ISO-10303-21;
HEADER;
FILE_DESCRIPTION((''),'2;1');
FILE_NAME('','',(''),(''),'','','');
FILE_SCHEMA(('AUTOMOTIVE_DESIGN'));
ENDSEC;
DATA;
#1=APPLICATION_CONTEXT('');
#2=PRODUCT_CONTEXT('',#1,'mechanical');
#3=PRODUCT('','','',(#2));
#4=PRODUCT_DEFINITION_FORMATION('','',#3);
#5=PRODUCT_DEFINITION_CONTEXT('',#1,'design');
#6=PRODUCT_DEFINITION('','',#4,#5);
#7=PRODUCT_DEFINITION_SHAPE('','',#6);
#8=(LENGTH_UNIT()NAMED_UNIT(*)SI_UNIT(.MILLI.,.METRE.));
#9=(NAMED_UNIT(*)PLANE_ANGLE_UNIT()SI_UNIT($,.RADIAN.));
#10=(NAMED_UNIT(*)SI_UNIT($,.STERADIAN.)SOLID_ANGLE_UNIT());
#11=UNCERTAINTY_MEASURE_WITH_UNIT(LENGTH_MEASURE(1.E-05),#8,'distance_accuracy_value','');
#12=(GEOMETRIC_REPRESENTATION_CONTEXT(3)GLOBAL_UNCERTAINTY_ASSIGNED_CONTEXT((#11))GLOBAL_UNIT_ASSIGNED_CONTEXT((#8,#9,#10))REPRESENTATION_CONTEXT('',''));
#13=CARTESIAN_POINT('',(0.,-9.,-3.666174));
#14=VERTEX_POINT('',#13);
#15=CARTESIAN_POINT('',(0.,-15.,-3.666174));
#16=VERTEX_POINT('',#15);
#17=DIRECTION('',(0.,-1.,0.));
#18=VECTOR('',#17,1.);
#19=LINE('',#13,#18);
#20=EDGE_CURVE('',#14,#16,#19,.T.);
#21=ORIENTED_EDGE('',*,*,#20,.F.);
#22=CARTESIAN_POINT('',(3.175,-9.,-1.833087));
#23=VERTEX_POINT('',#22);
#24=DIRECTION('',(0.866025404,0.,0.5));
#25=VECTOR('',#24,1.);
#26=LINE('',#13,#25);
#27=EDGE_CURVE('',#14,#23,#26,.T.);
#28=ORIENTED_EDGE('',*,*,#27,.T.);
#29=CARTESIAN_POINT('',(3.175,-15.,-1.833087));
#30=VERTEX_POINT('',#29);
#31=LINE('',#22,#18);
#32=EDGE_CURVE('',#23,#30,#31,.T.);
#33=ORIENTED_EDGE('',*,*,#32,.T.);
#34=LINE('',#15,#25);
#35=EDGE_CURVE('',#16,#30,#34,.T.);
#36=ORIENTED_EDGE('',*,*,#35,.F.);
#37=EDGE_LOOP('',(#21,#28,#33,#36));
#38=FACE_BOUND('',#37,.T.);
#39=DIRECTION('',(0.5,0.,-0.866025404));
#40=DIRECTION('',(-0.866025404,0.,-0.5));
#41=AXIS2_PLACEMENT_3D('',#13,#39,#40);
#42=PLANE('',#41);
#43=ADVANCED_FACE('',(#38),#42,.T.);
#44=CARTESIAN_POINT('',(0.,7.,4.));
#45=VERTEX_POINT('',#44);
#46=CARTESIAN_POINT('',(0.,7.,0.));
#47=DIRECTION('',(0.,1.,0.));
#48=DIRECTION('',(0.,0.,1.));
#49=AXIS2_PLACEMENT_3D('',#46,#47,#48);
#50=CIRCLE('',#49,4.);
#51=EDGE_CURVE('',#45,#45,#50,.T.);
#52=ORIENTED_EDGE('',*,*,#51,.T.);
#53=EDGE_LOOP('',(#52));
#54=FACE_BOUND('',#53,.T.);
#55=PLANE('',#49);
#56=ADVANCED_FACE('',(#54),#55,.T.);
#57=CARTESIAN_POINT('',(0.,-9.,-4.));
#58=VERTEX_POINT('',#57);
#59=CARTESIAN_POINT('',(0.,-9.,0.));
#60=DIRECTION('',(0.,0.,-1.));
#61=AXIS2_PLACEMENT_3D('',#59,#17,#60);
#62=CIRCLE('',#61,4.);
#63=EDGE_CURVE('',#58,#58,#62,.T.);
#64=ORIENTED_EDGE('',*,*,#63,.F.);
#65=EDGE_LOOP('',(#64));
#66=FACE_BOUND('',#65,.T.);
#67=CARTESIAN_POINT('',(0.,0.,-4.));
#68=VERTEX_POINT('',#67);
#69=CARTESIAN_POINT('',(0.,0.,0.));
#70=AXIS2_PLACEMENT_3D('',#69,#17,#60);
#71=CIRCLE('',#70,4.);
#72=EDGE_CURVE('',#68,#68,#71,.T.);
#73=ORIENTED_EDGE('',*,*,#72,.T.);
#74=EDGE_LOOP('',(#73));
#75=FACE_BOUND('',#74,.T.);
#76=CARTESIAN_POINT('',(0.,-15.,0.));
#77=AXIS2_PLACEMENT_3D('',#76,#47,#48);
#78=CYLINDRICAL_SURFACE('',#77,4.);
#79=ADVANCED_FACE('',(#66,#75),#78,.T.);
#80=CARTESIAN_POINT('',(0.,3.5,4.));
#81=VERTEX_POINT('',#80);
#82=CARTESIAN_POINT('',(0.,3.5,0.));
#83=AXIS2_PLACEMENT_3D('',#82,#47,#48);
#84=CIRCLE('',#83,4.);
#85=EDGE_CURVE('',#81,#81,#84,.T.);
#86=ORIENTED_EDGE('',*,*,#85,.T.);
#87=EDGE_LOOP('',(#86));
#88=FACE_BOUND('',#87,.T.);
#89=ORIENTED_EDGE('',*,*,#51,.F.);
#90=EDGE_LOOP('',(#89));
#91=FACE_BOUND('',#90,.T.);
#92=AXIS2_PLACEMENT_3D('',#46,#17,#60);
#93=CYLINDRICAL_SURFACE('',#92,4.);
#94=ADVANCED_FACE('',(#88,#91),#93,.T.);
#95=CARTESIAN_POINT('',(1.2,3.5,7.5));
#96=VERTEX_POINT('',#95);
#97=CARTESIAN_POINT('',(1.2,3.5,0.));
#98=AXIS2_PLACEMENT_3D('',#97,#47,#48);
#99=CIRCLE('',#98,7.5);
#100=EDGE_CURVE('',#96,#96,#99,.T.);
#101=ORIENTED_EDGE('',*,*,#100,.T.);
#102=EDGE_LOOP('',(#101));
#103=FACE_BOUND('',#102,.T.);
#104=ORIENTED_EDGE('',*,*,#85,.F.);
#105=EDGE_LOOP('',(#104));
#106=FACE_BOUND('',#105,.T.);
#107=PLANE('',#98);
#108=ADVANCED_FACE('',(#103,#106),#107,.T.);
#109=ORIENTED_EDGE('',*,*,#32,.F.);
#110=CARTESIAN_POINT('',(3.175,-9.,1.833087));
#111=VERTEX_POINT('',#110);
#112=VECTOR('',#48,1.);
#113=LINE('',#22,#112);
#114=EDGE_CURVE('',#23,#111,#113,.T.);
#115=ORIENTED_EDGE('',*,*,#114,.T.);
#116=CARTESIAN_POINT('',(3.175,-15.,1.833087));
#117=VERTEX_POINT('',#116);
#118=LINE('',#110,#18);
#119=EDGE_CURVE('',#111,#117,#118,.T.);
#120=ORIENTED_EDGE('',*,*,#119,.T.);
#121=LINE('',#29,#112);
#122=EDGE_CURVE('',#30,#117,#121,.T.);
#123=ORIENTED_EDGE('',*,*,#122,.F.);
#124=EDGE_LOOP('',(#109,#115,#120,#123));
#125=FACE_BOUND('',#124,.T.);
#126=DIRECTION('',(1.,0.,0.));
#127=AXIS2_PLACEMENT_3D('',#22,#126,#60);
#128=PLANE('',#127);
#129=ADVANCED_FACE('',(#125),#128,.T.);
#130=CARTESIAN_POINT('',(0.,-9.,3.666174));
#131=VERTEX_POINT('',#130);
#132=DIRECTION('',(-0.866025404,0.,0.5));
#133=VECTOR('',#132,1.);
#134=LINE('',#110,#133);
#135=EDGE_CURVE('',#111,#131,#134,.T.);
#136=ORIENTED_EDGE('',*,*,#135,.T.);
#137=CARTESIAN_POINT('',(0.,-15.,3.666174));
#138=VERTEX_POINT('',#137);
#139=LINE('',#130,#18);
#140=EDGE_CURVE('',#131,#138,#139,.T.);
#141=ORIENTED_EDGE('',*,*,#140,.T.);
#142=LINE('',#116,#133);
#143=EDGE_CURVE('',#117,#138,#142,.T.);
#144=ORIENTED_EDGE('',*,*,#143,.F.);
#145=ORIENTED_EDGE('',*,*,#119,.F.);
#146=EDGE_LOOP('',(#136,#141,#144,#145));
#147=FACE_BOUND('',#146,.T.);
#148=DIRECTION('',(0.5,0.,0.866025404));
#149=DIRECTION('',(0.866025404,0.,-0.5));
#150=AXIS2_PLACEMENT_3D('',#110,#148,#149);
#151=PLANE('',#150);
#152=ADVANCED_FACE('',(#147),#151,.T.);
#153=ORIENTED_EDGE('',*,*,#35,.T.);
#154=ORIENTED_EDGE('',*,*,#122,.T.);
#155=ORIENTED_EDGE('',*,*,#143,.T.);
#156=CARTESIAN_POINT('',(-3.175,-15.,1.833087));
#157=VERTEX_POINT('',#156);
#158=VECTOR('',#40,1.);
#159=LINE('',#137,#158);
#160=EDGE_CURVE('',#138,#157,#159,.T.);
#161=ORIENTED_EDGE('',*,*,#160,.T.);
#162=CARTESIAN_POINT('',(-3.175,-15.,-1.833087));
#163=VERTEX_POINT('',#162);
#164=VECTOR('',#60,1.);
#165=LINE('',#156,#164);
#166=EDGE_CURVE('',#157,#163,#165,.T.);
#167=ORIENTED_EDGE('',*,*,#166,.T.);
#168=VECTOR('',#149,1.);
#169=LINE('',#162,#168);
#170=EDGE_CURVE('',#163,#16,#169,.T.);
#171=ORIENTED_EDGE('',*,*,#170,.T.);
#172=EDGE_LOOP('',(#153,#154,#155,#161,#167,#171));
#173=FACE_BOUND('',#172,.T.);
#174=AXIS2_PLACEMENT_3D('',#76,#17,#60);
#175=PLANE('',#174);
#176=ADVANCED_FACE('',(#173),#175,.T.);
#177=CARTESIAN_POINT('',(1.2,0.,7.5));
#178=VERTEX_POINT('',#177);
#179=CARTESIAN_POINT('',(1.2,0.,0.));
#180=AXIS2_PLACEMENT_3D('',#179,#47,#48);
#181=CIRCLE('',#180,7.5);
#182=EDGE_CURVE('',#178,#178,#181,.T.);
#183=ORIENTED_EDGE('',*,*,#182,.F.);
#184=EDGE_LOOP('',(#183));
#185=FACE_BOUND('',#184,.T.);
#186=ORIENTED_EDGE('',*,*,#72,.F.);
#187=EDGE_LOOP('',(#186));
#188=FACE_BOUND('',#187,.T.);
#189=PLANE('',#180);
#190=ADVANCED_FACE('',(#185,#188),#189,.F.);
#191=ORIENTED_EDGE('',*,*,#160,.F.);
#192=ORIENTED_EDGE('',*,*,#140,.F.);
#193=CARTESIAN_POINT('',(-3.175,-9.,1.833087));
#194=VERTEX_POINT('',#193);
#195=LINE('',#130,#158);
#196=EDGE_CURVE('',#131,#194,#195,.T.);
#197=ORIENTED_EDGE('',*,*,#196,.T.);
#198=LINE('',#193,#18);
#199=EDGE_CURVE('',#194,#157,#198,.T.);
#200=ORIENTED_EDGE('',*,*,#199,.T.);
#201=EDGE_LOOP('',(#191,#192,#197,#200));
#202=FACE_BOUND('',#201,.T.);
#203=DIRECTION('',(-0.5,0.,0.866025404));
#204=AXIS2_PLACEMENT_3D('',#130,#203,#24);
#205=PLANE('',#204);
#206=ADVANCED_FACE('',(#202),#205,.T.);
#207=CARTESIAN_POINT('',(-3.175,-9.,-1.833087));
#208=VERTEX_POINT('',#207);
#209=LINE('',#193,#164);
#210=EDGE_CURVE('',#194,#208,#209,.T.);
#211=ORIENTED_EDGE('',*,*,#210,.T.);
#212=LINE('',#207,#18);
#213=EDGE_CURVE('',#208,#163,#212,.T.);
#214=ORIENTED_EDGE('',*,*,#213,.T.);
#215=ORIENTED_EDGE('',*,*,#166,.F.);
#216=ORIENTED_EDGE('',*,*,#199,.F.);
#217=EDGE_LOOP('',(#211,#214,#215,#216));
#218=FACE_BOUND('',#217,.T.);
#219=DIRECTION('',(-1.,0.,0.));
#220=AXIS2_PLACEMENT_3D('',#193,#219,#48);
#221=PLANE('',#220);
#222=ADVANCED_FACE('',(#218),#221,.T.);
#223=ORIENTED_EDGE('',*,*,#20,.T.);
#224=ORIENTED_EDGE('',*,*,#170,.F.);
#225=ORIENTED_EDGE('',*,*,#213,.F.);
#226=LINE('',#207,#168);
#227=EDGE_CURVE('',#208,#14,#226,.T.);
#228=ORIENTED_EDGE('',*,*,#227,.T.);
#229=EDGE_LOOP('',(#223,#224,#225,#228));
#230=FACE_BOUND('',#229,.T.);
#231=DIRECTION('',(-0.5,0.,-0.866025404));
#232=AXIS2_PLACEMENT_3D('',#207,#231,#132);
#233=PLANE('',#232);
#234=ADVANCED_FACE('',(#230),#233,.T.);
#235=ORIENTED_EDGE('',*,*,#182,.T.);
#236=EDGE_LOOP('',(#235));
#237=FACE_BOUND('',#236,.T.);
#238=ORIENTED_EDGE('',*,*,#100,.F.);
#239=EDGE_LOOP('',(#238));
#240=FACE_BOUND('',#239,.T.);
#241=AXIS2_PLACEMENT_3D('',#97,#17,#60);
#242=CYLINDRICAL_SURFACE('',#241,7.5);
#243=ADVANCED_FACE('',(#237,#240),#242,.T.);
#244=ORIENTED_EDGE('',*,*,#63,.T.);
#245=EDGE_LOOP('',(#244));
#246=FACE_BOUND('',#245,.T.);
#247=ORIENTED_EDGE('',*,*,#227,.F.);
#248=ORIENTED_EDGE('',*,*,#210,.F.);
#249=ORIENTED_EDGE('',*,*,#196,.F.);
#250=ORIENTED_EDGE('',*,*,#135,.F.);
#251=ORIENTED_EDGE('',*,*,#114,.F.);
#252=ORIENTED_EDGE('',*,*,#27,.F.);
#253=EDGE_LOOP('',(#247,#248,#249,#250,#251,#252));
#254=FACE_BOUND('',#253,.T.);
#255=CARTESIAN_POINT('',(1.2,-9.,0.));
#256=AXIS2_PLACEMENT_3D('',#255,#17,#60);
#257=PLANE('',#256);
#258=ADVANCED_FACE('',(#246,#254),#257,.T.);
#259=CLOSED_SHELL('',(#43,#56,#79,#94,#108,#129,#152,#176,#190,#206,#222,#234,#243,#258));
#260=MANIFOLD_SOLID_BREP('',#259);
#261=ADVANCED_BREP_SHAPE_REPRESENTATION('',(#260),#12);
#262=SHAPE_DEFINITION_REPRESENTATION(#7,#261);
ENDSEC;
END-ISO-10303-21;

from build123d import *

# Parameters (mm, degrees)
SKETCH3_R           = 7.5
BOSS_EXTRUDE1_DEPTH = 3.5
SKETCH4_R           = 4
BOSS_EXTRUDE2_DEPTH = 15
BOSS_EXTRUDE4_START = 3.5
SKETCH6_R           = 4
BOSS_EXTRUDE4_DEPTH = 3.5
SKETCH7_OUTSIDE_W   = 23.112
SKETCH7_OUTSIDE_H   = 23.112
CUT_EXTRUDE1_DEPTH  = 6


with BuildPart() as part:
    # Sketch3 → Boss-Extrude1 (new body)
    with BuildSketch(Plane(origin=(0, 0, 0), x_dir=(1, 0, 0), z_dir=(0, 1, 0))):
        with Locations(Location((1.2, 0, 0), (0, 0, 270))):
            Circle(SKETCH3_R)
    extrude(amount=BOSS_EXTRUDE1_DEPTH)

    # Sketch4 → Boss-Extrude2 (add)
    with BuildSketch(Plane.XZ):
        with Locations(Location((0, 0, 0), (0, 0, 270))):
            Circle(SKETCH4_R)
    extrude(amount=BOSS_EXTRUDE2_DEPTH)

    # Sketch6 → Boss-Extrude4 (add)
    with BuildSketch(Plane(origin=(0, 3.5, 0), x_dir=(1, 0, 0), z_dir=(0, 1, 0)).offset(BOSS_EXTRUDE4_START)):
        with Locations(Location((0, 0, 0), (0, 0, 90))):
            Circle(SKETCH6_R)
    extrude(amount=-BOSS_EXTRUDE4_DEPTH)

    # Sketch7 outside → Cut-Extrude1 (cut)
    with BuildSketch(Plane.XZ.offset(15)):
        with Locations((1.2, 0)):
            Rectangle(SKETCH7_OUTSIDE_W, SKETCH7_OUTSIDE_H)
        Polygon((0, 3.666174209), (-3.175, 1.833087105), (-3.175, -1.833087105), (0, -3.666174209), (3.175, -1.833087105), (3.175, 1.833087105), align=None, mode=Mode.SUBTRACT)
    extrude(amount=-CUT_EXTRUDE1_DEPTH, mode=Mode.SUBTRACT)


solid = part.part
